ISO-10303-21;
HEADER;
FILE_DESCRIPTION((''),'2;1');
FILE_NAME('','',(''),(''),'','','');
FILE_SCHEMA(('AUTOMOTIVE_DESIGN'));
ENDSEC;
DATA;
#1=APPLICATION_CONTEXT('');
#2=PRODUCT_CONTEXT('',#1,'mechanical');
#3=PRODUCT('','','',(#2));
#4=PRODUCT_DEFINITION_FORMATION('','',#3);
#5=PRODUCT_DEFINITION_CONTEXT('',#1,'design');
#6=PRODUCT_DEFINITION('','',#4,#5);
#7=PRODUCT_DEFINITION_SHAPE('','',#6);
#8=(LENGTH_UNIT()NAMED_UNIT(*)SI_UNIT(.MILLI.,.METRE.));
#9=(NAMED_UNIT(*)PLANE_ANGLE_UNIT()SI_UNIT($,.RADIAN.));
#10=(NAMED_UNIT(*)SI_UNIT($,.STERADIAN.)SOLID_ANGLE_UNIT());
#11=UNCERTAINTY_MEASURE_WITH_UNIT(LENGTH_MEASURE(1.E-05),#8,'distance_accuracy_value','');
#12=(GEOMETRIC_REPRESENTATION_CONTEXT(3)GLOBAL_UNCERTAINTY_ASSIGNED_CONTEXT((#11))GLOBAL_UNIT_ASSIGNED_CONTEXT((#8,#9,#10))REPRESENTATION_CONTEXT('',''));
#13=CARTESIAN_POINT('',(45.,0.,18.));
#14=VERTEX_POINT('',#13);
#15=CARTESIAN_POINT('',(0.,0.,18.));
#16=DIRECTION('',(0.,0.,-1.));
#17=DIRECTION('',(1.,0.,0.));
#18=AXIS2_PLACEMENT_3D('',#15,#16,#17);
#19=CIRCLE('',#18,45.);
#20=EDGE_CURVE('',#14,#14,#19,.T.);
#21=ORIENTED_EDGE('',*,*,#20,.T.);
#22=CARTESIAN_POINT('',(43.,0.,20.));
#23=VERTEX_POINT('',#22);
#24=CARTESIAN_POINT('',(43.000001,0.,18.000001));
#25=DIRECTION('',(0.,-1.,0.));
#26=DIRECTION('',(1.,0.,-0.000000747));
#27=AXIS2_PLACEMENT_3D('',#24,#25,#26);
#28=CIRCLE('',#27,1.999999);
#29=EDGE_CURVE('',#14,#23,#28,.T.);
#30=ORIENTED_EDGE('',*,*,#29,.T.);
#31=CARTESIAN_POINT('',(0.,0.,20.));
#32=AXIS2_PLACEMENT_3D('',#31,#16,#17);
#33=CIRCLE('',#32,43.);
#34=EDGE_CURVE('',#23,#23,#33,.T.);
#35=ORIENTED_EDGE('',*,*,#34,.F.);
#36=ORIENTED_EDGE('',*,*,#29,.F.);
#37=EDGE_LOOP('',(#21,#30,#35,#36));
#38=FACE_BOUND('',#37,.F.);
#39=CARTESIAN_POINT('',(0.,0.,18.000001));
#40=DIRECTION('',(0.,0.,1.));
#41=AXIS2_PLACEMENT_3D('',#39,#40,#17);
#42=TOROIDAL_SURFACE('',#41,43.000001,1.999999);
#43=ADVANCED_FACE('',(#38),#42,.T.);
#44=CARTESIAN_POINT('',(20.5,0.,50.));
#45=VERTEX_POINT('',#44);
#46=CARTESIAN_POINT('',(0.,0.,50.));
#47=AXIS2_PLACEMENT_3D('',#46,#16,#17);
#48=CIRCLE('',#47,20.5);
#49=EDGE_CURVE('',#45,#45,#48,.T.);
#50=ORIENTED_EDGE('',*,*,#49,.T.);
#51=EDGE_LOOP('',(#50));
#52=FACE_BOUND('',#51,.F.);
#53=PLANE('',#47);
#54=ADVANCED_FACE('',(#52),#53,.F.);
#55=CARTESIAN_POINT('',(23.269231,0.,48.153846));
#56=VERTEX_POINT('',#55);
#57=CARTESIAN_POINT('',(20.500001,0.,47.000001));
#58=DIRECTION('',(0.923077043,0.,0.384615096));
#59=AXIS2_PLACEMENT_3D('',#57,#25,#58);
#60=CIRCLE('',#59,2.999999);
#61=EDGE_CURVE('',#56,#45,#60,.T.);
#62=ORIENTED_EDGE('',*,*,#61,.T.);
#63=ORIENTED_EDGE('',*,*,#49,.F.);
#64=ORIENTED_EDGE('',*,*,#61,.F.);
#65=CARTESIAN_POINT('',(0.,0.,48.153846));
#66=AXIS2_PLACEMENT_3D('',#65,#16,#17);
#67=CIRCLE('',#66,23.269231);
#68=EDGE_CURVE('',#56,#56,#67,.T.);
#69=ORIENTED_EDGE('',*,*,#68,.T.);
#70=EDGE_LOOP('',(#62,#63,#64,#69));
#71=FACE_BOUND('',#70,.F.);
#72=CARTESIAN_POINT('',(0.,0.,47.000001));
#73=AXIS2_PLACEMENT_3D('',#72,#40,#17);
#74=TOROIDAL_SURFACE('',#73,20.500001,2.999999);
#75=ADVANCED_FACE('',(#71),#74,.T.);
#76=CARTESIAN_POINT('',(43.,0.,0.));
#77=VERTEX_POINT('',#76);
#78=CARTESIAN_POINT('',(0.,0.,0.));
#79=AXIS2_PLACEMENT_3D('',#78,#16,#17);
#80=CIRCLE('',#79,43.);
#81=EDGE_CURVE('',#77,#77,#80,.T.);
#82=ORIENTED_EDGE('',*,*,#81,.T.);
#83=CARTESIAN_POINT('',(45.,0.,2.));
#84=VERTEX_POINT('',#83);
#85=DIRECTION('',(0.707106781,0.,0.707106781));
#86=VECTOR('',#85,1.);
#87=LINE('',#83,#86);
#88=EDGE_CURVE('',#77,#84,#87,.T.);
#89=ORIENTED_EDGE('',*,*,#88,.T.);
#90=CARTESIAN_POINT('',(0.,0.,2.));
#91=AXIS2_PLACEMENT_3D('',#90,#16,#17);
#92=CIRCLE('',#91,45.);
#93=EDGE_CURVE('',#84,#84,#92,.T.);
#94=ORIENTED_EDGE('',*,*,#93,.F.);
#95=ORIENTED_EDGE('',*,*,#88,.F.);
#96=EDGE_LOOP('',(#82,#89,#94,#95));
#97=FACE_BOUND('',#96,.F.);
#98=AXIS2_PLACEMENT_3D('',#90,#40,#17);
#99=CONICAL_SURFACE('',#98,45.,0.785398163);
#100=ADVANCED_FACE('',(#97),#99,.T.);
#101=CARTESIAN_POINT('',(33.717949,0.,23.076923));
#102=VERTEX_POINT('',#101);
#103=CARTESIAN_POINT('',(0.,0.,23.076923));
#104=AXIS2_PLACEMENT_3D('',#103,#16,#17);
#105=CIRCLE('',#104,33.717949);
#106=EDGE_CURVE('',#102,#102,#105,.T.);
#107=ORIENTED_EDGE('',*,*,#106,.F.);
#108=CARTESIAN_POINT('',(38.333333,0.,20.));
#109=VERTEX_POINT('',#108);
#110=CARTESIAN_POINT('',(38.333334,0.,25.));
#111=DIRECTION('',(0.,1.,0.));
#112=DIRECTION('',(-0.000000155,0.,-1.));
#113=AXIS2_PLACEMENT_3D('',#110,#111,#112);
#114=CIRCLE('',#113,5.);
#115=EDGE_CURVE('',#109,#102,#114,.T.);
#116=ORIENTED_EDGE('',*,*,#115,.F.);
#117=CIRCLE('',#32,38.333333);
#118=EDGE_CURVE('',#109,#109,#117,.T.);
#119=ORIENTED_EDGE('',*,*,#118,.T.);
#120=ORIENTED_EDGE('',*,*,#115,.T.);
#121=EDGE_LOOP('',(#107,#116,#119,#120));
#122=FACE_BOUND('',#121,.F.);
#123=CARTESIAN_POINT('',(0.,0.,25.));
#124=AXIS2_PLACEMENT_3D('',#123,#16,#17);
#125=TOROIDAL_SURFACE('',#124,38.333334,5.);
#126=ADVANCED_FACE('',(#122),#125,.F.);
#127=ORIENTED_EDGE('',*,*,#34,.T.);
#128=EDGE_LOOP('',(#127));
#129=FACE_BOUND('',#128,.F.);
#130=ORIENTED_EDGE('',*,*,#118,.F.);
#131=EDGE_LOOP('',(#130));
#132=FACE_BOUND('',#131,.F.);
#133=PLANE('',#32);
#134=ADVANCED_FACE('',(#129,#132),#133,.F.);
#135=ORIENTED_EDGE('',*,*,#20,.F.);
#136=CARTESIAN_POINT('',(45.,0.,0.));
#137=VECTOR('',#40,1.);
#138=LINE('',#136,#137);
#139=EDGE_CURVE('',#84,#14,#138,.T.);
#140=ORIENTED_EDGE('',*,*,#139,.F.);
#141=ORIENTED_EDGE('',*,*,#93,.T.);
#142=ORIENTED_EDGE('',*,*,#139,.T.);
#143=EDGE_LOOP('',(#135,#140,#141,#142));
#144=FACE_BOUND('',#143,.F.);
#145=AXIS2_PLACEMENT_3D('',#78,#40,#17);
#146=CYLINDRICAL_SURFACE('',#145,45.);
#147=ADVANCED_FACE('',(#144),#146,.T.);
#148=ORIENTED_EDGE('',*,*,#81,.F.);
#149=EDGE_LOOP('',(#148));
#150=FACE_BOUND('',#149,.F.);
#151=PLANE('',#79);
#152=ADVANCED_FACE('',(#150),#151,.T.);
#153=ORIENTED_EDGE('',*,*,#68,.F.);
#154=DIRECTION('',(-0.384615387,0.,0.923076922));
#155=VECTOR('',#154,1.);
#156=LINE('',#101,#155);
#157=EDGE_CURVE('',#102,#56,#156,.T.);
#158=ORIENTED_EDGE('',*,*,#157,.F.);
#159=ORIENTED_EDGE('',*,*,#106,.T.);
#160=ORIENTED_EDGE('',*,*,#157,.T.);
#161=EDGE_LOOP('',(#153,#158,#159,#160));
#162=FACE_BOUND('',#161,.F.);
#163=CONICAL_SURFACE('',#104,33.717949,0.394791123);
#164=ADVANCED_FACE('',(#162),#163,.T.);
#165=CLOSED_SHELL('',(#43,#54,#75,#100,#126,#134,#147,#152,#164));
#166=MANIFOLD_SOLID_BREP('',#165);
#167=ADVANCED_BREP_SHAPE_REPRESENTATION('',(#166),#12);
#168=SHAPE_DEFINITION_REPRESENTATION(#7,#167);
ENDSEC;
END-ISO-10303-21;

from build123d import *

# Parameters (mm, degrees)
F2_SIZE = 2


with BuildPart() as f1:
    # F0 (on Front) → F1 (revolve)
    with BuildSketch(Plane.XZ):
        with BuildLine():
            Line((20.5, 50), (0, 50))
            Line((0, 50), (0, 0))
            Line((0, 0), (45, 0))
            Line((45, 0), (45, 18))
            ThreePointArc((45, 18), (44.414214, 19.414214), (43, 20))
            Line((43, 20), (38.333333, 20))
            ThreePointArc((38.333333, 20), (35.559832, 20.839749), (33.717949, 23.076923))
            Line((33.717949, 23.076923), (23.269231, 48.153846))
            ThreePointArc((23.269231, 48.153846), (22.164101, 49.496151), (20.5, 50))
        make_face()
    revolve(axis=Axis((0, 0, 22.33778), (0, 0, -1)))

    # F2
    f2_edges = [f1.edges().sort_by_distance(p)[0] for p in [
        (-45, 0, 0),
    ]]
    chamfer(f2_edges, length=F2_SIZE)


solid = f1.part
